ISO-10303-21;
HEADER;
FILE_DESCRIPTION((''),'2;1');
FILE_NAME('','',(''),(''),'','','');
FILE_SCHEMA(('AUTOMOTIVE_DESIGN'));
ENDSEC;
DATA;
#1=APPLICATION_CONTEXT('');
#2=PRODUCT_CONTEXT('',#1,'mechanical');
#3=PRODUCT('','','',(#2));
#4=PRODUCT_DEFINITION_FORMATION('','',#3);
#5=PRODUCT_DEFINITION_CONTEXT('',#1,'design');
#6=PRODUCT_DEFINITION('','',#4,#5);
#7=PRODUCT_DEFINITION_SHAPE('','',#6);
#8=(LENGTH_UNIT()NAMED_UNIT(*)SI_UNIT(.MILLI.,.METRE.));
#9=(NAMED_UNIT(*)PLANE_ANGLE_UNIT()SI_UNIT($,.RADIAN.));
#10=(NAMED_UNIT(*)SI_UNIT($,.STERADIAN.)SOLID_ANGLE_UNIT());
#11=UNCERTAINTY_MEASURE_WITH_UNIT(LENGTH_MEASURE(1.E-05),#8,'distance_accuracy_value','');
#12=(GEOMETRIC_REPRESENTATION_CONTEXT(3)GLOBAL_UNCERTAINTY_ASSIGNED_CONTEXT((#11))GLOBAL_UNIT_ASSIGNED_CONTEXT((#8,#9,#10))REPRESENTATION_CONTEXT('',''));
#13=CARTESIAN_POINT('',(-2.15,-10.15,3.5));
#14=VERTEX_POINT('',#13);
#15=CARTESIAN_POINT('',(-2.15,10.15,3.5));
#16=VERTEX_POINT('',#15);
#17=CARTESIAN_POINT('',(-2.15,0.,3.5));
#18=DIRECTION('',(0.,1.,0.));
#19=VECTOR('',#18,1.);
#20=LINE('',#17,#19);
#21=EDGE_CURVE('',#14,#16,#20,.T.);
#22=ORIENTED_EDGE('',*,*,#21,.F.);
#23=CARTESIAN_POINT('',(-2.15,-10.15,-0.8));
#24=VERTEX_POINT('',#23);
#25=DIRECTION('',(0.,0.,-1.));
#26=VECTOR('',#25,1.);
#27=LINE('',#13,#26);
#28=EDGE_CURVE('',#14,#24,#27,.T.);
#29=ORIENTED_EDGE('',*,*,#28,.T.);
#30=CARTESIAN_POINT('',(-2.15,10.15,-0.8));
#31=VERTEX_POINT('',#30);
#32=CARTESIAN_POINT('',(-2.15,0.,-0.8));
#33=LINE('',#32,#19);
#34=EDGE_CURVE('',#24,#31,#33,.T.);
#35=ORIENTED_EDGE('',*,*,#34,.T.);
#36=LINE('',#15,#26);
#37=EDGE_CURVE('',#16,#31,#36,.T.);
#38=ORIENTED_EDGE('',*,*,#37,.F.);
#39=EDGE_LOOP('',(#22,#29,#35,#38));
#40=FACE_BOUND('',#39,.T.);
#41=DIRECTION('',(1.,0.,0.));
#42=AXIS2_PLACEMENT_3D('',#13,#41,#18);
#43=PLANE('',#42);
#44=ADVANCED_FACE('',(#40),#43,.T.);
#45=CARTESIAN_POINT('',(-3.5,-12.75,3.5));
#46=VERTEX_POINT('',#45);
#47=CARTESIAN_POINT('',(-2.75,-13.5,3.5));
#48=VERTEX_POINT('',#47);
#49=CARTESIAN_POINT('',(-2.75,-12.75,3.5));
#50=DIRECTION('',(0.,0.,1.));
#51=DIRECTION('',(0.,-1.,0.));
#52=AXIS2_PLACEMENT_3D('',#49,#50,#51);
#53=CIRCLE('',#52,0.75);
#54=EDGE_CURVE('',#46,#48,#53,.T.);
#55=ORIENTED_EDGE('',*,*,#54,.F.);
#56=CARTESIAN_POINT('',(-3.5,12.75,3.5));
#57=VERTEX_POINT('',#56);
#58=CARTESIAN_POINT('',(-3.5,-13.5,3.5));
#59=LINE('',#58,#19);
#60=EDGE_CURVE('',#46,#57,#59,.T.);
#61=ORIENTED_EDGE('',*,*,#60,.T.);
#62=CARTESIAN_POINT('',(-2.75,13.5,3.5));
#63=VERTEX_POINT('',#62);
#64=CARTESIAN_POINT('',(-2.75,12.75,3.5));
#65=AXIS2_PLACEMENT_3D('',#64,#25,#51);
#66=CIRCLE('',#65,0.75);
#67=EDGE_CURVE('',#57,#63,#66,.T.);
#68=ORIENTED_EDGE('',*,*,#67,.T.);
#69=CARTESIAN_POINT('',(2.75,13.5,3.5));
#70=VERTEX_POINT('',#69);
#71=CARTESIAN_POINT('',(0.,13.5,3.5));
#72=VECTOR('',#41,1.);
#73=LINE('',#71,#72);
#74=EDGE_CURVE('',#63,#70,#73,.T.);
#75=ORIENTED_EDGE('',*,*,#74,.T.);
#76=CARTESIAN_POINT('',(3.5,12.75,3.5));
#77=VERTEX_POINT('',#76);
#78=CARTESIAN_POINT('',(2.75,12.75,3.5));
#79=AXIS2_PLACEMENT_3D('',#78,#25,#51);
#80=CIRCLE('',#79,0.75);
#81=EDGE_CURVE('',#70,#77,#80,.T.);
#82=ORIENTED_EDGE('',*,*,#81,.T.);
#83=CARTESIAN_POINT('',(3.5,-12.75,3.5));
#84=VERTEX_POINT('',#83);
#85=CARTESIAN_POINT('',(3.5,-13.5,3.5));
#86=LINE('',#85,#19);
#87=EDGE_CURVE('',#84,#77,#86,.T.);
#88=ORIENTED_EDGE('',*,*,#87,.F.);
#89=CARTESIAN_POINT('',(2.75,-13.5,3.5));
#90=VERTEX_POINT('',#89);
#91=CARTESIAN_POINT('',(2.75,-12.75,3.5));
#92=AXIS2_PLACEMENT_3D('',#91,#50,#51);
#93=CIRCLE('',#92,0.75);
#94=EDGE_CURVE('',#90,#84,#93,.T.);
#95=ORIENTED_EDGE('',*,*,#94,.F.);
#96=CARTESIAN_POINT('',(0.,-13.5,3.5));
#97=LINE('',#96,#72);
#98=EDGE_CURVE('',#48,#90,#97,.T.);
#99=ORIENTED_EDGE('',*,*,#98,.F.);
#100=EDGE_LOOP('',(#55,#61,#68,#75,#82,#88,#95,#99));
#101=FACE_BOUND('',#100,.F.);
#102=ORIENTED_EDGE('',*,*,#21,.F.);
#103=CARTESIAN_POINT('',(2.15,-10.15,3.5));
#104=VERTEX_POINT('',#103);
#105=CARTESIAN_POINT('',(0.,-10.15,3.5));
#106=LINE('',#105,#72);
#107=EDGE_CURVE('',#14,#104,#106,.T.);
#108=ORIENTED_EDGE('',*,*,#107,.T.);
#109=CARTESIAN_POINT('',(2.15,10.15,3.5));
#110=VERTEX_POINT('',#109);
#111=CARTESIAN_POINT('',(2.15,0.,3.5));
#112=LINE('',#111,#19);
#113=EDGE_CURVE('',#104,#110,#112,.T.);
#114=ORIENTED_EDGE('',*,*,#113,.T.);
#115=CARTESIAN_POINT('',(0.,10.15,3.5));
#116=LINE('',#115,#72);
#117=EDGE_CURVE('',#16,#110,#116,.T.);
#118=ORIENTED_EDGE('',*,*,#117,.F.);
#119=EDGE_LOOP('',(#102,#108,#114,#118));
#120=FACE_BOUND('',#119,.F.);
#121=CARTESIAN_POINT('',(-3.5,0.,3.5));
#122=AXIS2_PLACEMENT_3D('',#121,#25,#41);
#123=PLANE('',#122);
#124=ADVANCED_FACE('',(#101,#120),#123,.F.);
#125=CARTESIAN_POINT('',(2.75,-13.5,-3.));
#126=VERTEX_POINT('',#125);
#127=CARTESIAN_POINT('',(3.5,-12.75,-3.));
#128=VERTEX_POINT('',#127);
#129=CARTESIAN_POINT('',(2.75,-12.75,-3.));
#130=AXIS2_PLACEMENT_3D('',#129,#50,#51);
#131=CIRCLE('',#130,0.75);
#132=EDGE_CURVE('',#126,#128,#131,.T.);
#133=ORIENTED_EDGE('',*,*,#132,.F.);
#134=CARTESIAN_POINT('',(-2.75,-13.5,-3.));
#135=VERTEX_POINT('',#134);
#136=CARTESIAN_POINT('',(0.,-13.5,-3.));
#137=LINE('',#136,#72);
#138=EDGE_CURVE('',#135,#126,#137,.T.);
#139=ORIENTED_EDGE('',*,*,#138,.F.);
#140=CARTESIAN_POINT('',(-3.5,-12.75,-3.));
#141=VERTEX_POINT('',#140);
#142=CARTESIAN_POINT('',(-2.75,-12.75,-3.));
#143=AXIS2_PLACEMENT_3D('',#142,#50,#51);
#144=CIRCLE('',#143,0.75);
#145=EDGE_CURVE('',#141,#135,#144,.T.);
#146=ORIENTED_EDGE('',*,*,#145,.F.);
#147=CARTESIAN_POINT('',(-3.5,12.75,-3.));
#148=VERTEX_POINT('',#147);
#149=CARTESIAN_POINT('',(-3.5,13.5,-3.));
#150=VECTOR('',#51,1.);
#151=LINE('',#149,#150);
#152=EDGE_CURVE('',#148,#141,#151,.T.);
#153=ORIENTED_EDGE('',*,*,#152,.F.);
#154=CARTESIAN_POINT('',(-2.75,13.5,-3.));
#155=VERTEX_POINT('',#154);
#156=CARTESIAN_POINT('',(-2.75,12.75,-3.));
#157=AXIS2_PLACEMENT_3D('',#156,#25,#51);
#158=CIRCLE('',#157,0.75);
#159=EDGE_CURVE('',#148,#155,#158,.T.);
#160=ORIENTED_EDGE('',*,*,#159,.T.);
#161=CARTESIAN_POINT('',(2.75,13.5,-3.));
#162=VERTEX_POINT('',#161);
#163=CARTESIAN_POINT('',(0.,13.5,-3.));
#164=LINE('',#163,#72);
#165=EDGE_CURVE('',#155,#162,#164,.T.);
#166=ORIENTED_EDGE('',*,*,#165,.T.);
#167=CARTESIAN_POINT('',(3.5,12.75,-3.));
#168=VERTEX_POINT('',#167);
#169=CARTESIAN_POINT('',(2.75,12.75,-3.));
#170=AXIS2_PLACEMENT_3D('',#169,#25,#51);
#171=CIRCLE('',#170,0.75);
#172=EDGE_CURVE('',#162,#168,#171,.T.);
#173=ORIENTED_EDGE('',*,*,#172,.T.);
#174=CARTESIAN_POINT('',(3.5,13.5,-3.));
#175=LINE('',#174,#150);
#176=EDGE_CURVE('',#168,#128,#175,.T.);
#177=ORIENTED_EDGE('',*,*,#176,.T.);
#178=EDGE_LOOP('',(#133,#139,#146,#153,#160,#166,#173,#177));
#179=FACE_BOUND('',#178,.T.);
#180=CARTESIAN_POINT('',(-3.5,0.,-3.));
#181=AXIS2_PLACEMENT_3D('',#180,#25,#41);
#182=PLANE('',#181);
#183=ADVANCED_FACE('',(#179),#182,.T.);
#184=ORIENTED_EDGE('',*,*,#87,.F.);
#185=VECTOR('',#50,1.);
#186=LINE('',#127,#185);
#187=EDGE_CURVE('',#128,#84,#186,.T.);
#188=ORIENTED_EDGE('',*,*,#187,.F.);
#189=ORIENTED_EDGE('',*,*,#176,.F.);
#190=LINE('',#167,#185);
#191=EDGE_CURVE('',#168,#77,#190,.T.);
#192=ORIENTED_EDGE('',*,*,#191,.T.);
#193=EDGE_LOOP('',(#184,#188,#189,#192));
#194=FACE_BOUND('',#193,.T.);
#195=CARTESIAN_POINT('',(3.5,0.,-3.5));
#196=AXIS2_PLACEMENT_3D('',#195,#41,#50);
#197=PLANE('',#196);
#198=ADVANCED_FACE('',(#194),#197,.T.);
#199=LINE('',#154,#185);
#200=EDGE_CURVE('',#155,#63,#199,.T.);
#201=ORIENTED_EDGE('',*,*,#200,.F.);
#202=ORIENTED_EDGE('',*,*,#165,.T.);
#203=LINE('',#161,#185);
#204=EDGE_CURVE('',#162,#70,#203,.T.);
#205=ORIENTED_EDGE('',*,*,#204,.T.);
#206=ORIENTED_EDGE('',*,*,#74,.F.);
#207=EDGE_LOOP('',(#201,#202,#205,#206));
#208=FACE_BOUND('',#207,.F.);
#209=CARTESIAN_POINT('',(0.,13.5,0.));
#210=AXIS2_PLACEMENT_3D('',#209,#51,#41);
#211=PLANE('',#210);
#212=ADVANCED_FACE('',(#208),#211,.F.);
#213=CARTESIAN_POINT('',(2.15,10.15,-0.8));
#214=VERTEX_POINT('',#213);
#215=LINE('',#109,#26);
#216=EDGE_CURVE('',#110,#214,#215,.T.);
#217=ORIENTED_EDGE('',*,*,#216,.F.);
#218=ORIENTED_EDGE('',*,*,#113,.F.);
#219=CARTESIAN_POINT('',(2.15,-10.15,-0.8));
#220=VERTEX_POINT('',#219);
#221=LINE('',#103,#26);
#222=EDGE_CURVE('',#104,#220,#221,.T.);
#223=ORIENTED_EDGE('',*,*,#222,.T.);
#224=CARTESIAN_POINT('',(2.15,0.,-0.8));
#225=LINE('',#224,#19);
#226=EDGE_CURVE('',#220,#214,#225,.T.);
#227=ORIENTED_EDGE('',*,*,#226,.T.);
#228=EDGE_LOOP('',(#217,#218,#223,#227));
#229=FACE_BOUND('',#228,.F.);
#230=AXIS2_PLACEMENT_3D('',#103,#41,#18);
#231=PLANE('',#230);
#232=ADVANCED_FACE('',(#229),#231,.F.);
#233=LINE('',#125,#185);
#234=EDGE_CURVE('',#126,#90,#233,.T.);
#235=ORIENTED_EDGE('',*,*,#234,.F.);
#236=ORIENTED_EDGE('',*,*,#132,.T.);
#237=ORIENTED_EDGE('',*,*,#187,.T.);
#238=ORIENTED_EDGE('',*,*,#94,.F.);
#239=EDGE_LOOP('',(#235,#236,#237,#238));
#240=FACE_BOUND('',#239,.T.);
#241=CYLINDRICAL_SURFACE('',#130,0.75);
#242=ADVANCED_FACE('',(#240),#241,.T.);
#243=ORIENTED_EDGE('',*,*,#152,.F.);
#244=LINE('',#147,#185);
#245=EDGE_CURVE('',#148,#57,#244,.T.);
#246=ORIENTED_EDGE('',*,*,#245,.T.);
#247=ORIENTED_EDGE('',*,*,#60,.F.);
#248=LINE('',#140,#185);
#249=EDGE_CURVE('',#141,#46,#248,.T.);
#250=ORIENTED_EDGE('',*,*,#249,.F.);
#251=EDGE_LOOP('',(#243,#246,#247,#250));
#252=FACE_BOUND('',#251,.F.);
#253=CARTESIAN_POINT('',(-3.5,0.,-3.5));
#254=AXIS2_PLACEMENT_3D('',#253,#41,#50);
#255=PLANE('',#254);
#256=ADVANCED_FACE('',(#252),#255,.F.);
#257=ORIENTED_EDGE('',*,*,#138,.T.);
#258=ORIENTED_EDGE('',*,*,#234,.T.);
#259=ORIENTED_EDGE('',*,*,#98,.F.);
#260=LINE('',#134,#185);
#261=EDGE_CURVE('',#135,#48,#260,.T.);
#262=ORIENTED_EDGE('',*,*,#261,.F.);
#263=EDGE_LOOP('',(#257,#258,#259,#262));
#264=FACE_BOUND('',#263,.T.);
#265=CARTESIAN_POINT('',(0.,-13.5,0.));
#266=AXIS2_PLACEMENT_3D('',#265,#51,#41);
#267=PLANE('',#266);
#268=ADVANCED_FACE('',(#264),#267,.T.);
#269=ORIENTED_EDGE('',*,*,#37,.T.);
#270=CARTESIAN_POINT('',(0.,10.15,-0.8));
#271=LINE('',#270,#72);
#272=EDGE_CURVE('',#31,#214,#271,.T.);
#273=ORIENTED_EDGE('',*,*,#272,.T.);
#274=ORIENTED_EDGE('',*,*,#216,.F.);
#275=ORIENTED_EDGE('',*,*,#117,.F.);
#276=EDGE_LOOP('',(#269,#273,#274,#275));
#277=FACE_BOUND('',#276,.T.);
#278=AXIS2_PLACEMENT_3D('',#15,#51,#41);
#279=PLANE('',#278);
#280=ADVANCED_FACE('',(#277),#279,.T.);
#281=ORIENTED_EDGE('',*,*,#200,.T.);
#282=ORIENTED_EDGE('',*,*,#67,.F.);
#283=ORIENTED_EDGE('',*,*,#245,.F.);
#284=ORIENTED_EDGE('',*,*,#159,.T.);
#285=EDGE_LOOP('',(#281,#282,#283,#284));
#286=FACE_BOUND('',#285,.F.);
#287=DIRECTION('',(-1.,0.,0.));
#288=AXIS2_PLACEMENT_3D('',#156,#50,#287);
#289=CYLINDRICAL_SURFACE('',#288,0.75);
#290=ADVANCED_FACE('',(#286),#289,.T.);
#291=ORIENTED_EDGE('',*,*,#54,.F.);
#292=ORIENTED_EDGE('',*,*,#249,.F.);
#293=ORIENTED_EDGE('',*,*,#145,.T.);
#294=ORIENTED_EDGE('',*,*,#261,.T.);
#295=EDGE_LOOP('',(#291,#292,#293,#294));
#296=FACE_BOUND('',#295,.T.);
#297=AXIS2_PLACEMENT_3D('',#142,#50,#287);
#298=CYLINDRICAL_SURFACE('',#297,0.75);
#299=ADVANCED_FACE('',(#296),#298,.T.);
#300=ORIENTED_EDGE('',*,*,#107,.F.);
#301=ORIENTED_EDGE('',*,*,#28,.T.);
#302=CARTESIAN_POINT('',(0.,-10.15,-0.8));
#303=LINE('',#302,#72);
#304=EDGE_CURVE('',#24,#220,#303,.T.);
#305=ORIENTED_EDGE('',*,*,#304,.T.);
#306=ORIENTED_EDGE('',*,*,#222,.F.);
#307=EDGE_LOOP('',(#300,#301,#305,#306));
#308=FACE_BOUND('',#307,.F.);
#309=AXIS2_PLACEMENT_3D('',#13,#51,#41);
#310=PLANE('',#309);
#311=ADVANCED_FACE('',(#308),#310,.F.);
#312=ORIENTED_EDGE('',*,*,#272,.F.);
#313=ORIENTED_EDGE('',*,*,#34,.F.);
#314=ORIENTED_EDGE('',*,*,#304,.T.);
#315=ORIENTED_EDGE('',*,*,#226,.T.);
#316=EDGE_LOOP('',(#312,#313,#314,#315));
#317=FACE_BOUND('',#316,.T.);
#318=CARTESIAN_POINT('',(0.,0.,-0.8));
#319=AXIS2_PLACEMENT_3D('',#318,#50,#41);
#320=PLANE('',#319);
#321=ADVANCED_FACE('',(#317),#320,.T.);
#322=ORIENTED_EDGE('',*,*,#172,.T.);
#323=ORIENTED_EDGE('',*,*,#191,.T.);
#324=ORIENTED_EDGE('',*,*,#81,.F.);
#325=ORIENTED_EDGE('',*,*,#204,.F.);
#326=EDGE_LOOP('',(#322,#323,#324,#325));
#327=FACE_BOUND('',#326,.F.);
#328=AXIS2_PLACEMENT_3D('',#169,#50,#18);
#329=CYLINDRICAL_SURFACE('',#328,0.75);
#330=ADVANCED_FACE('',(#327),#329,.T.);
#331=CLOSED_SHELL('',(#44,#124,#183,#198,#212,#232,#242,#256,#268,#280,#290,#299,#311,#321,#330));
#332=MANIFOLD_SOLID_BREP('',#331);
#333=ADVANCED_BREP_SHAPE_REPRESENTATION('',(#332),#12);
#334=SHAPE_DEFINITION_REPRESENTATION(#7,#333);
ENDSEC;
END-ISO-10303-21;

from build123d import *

# Parameters (mm, degrees)
F0_W     = 7
F0_H     = 7
F1_DEPTH = 13.5
F2_W     = 4.3
F2_H     = 20.3
F3_DEPTH = 4.3
F4_DEPTH = 0.5
F5_R     = 0.75


with BuildPart() as f1:
    # F0 (on Front) → F1 (new body, symmetric)
    with BuildSketch(Plane.XZ):
        Rectangle(F0_W, F0_H)
    extrude(amount=F1_DEPTH, both=True)

    # F2 (on face) → F3 (cut)
    with BuildSketch(Plane.XY.offset(3.5)):
        Rectangle(F2_W, F2_H)
    extrude(amount=-F3_DEPTH, mode=Mode.SUBTRACT)

    # F4 (cut): a face of the model
    f4_faces = [f1.faces().sort_by_distance(p)[0] for p in [
        (0, 0, -3.5),
    ]]
    extrude(f4_faces, amount=-F4_DEPTH, mode=Mode.SUBTRACT)

    # F5
    f5_edges = [f1.edges().sort_by_distance(p)[0] for p in [
        (-3.5, 13.5, 0.25),
        (3.5, 13.5, 0.25),
        (3.5, -13.5, 0.25),
        (-3.5, -13.5, 0.25),
    ]]
    fillet(f5_edges, radius=F5_R)


solid = f1.part
